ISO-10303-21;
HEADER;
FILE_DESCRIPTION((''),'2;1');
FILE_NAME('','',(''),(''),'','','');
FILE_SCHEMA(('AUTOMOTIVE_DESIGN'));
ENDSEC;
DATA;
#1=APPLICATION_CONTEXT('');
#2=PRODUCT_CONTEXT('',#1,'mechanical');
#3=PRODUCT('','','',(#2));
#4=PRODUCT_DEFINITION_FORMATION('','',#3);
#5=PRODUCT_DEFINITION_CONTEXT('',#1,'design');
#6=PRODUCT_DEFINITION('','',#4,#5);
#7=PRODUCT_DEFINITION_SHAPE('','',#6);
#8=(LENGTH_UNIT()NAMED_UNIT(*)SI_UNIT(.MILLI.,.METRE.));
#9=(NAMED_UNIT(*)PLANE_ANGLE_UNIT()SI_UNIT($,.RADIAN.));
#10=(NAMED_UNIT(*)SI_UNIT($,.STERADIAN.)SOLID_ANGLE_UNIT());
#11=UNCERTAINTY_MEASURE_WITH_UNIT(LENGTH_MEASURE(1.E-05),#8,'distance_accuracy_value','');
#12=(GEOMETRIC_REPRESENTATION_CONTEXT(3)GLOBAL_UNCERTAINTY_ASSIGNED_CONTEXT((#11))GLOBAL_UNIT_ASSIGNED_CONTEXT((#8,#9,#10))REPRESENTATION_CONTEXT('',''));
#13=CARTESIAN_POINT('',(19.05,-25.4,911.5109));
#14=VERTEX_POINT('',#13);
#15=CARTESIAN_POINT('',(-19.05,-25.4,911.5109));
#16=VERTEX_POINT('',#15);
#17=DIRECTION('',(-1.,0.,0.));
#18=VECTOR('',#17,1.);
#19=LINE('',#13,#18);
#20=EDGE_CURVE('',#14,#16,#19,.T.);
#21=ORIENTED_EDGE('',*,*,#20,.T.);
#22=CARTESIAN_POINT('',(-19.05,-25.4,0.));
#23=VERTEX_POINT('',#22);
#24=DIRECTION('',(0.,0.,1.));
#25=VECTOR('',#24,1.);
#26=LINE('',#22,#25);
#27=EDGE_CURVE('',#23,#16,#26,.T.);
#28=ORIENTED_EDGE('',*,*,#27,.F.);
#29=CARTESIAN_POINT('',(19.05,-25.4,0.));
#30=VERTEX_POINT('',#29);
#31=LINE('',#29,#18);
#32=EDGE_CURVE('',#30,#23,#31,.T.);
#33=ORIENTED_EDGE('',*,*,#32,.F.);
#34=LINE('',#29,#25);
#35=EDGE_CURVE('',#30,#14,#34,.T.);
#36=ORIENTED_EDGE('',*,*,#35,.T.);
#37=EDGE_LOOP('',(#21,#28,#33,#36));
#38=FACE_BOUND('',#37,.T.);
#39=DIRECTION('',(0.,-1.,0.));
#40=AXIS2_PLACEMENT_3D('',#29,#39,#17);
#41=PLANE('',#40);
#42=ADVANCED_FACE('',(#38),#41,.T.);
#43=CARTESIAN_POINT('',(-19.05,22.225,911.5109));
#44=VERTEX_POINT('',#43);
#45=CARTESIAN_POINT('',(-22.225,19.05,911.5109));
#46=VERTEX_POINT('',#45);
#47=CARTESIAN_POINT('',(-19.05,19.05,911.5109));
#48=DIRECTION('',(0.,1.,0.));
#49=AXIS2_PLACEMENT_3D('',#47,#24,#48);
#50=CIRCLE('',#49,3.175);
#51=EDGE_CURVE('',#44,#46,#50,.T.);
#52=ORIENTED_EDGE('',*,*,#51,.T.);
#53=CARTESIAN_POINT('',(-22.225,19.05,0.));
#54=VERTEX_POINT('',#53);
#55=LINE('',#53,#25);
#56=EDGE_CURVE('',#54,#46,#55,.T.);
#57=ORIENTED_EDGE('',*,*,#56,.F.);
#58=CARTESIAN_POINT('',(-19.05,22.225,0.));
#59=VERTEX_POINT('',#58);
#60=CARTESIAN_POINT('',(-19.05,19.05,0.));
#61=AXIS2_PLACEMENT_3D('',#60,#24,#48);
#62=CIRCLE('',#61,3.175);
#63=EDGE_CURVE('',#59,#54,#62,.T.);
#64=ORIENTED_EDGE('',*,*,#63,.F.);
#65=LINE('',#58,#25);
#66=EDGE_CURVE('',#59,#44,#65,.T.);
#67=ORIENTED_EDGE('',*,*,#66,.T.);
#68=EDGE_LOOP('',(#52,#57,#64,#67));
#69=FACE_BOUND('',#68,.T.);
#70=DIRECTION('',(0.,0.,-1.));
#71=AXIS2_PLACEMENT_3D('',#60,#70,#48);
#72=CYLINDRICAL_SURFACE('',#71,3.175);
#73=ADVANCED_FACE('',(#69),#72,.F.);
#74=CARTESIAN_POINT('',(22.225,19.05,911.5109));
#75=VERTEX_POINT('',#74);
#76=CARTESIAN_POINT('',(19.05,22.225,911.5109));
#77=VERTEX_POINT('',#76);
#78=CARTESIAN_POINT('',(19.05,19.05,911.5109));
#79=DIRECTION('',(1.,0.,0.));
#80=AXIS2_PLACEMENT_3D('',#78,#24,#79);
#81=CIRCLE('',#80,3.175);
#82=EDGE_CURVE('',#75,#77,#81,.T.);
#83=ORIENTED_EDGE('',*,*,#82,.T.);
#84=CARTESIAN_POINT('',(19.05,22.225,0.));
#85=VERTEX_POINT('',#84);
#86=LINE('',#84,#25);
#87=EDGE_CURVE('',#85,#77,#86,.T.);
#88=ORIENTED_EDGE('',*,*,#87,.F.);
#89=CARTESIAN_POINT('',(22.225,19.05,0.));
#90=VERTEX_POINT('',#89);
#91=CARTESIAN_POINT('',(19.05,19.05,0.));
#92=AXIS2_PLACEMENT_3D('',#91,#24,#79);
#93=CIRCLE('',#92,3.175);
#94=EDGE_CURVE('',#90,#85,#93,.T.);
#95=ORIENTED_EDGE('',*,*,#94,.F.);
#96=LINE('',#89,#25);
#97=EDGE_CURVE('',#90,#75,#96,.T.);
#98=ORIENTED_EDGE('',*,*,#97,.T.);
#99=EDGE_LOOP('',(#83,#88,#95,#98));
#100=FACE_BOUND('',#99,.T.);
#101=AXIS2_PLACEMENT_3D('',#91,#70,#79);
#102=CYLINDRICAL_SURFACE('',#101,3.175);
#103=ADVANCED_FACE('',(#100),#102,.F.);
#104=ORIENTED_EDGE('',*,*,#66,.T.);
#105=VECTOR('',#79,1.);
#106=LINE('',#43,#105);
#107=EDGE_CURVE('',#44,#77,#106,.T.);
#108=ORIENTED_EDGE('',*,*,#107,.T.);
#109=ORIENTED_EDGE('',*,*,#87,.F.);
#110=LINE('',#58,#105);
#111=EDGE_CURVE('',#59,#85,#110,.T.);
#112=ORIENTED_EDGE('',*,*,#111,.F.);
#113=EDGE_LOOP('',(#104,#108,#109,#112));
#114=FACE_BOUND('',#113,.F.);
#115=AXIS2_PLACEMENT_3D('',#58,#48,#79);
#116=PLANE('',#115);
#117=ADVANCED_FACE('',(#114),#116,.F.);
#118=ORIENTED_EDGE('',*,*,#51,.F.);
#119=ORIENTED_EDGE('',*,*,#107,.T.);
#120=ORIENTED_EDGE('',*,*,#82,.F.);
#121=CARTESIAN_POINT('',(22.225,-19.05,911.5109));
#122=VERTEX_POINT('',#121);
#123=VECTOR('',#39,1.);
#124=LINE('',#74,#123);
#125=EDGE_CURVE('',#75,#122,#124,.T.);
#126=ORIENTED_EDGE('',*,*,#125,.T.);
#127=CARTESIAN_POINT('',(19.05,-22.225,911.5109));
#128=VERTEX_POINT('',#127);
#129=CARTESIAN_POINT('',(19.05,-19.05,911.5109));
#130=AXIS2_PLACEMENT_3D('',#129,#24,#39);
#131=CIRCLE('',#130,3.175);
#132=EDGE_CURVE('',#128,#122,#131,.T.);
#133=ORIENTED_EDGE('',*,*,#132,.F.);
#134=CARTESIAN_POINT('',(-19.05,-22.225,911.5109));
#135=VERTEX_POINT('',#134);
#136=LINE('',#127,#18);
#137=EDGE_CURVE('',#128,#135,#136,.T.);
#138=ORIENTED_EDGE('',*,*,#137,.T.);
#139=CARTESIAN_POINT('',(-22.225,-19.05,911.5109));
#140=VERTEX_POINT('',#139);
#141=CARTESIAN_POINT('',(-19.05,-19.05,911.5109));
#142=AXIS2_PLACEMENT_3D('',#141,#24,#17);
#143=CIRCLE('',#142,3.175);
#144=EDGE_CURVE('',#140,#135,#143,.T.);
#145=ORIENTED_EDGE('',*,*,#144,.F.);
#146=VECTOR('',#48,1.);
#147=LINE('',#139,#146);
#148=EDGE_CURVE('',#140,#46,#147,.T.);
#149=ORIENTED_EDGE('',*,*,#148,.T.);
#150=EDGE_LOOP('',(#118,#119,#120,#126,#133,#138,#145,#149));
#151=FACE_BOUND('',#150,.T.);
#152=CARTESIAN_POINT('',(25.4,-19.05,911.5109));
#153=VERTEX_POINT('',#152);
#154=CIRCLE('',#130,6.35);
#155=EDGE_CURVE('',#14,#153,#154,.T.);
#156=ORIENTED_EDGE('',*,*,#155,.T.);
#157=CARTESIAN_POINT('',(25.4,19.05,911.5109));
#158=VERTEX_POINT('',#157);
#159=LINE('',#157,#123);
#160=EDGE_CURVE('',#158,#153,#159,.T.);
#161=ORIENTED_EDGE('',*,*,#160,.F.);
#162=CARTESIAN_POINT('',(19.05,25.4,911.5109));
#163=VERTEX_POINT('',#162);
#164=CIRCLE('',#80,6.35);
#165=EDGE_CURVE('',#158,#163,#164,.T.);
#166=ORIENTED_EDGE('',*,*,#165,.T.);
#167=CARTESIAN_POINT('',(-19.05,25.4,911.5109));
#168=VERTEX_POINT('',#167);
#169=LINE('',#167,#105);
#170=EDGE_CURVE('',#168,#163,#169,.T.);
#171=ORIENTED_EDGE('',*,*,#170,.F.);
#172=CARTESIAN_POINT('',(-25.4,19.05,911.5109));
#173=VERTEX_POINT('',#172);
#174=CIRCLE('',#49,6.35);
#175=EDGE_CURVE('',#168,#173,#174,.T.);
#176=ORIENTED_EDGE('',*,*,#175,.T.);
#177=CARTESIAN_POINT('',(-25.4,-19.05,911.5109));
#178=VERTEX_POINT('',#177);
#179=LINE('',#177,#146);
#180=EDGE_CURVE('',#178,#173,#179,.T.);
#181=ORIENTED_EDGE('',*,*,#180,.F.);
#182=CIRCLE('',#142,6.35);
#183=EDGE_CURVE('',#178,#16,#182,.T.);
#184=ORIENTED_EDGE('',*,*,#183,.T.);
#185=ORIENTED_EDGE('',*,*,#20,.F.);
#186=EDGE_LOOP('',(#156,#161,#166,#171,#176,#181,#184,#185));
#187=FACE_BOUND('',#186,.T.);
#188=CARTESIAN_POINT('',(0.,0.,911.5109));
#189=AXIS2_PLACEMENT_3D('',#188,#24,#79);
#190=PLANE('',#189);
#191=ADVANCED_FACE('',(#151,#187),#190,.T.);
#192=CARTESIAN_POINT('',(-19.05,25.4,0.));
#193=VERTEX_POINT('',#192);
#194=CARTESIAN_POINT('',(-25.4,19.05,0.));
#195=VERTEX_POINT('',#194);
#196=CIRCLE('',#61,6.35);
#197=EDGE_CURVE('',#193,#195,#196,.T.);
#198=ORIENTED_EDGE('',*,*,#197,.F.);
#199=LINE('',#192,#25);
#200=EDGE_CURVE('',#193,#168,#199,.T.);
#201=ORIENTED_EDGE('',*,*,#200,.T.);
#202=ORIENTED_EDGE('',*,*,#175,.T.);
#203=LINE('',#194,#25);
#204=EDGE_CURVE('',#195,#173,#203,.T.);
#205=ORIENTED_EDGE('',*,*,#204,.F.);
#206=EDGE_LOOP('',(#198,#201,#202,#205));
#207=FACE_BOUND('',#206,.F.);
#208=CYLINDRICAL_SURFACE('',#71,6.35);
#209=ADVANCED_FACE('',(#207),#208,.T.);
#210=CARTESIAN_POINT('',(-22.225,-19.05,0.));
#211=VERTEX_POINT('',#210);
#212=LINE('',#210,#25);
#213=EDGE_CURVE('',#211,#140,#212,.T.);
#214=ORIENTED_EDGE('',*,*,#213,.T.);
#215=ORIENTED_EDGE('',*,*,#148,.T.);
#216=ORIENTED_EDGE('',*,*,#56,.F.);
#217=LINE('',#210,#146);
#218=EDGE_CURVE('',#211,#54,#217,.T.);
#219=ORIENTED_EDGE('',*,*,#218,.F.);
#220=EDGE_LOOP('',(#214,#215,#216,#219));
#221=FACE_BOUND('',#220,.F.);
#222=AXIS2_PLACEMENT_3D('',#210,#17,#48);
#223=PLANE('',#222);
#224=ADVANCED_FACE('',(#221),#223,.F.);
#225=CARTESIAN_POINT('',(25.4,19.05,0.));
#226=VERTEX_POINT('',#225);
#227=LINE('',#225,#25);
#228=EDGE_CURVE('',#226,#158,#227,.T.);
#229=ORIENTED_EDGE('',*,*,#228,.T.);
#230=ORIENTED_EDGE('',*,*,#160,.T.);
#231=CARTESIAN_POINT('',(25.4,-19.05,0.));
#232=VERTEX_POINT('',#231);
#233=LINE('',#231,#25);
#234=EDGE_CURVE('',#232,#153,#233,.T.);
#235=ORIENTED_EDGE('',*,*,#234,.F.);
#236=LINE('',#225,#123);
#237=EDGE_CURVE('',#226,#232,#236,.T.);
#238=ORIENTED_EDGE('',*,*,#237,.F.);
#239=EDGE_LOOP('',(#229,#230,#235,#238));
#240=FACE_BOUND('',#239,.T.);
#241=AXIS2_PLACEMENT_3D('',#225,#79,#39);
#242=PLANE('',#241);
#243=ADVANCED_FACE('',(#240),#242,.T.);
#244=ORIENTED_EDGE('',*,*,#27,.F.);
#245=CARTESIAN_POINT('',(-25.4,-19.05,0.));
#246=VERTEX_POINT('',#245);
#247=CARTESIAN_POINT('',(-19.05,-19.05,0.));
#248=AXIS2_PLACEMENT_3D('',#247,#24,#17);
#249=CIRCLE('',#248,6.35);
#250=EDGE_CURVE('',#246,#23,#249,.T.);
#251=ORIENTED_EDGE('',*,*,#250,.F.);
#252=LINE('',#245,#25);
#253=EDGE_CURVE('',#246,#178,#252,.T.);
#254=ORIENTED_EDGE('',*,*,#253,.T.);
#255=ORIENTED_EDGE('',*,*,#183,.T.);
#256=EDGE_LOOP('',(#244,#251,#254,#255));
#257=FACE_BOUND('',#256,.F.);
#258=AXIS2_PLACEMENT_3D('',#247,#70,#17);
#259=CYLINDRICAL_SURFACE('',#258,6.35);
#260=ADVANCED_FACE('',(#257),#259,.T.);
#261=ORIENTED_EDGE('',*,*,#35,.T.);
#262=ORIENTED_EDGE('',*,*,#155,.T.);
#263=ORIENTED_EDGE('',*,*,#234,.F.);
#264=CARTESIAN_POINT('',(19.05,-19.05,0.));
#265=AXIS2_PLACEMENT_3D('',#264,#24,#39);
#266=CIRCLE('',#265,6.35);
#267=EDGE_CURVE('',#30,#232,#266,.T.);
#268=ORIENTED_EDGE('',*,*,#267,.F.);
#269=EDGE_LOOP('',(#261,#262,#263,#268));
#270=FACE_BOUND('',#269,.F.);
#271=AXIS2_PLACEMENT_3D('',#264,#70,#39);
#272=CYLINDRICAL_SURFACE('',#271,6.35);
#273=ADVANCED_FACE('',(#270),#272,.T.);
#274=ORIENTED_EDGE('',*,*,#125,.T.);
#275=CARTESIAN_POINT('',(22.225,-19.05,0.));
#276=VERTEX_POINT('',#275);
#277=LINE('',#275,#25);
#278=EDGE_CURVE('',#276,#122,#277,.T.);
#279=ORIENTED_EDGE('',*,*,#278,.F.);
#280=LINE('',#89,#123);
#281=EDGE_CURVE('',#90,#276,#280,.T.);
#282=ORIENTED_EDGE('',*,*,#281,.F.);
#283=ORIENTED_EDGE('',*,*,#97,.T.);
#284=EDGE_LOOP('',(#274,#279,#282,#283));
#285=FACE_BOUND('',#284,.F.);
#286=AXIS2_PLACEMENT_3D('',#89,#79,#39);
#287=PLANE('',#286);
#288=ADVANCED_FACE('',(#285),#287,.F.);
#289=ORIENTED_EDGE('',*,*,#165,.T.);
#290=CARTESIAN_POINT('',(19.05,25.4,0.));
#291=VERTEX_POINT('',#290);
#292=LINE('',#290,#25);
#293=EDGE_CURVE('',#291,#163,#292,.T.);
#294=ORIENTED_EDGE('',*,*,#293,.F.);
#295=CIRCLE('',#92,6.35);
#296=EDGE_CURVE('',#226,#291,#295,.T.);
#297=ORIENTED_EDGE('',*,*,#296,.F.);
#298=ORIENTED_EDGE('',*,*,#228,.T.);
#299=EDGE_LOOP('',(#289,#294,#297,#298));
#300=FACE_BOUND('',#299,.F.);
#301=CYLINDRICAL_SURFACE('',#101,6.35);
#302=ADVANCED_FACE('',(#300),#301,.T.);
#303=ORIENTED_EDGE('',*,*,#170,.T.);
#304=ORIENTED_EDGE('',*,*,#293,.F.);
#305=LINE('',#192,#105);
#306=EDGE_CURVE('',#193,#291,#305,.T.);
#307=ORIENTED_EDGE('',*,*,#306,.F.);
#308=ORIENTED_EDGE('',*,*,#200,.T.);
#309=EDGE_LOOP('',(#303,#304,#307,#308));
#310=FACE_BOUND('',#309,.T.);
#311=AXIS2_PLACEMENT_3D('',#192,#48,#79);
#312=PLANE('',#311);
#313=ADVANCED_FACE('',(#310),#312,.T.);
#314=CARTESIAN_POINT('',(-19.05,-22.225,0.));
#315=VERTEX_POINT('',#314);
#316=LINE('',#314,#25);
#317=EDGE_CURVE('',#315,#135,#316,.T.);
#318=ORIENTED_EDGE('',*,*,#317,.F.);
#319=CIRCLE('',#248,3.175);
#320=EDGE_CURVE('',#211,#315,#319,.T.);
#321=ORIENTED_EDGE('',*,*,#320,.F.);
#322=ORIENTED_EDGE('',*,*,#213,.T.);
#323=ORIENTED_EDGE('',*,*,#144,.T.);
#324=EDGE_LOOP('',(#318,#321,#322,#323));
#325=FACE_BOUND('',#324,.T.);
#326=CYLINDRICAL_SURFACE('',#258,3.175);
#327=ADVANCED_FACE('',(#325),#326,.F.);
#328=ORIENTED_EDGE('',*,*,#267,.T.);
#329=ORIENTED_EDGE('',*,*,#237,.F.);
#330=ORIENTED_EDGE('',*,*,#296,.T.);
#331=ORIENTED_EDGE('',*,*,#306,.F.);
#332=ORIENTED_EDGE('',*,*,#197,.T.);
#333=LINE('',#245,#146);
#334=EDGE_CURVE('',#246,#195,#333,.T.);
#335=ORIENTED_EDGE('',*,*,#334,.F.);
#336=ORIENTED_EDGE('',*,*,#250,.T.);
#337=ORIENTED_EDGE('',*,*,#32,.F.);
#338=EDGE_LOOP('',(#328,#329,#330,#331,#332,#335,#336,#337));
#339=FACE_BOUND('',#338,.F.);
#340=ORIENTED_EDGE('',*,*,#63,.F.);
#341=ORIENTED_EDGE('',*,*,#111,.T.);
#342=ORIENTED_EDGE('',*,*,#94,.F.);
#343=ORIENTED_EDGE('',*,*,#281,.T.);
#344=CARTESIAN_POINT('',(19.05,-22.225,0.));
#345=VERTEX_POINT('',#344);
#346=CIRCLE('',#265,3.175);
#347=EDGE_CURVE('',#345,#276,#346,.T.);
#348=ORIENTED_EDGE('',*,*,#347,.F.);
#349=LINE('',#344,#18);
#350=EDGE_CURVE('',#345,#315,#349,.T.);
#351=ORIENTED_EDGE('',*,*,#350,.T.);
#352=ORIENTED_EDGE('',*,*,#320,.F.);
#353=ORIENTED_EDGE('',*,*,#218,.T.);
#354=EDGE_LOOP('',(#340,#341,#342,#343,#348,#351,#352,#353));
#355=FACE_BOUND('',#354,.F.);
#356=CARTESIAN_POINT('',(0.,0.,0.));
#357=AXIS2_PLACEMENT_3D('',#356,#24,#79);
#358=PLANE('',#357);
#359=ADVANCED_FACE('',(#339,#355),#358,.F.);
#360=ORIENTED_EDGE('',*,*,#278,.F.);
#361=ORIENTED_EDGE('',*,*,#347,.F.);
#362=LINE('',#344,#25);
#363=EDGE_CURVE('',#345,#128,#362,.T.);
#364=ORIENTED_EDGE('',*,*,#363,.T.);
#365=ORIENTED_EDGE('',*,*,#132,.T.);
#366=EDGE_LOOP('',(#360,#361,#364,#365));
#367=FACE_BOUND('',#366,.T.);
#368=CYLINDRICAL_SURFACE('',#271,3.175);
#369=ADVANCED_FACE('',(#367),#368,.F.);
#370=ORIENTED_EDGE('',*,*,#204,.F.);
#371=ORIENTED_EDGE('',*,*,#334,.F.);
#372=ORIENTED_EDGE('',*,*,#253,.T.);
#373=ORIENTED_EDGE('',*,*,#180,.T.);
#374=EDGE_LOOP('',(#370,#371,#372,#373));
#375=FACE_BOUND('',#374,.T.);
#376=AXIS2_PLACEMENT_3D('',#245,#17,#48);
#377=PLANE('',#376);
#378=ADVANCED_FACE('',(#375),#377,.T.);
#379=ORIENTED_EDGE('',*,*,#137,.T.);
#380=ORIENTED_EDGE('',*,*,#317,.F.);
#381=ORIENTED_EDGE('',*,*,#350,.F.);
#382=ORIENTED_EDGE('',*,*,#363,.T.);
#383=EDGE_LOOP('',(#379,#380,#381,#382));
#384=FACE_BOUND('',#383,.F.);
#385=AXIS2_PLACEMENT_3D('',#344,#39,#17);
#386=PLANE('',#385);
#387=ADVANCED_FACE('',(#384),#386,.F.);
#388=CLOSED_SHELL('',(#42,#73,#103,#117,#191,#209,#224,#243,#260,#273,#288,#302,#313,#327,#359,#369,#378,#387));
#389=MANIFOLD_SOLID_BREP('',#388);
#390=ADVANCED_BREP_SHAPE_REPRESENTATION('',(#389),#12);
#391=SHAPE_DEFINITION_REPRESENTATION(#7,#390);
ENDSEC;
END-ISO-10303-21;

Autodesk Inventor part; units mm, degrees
ref_plane "YZ Plane" through (0, 0, 0) normal (1, 0, 0) x (0, 1, 0)
ref_plane "Start plane" through (0, 0, 0) normal (0, 0, 1) x (1, 0, 0)
ref_plane "End plane" through (0, 0, 911.5109) normal (0, 0, 1) x (1, 0, 0)
sketch "Sketch" plane through (0, 0, 0) normal (0, 0, 1) x (1, 0, 0)
  line L0 (-25.4, -19.05) -> (-25.4, 19.05)
  line L1 (-19.05, 25.4) -> (19.05, 25.4)
  line L2 (25.4, 19.05) -> (25.4, -19.05)
  line L3 (19.05, -25.4) -> (-19.05, -25.4)
  arc A0 (-25.4, -19.05) -> (-19.05, -25.4) centre (-19.05, -19.05) ccw
  arc A1 (-19.05, 25.4) -> (-25.4, 19.05) centre (-19.05, 19.05) ccw
  arc A2 (25.4, 19.05) -> (19.05, 25.4) centre (19.05, 19.05) ccw
  arc A3 (19.05, -25.4) -> (25.4, -19.05) centre (19.05, -19.05) ccw
  arc A4 (-19.05, 22.225) -> (-22.225, 19.05) centre (-19.05, 19.05) ccw
  line L4 (-19.05, 22.225) -> (19.05, 22.225)
  arc A5 (22.225, 19.05) -> (19.05, 22.225) centre (19.05, 19.05) ccw
  line L5 (22.225, 19.05) -> (22.225, -19.05)
  arc A6 (19.05, -22.225) -> (22.225, -19.05) centre (19.05, -19.05) ccw
  line L6 (19.05, -22.225) -> (-19.05, -22.225)
  arc A7 (-22.225, -19.05) -> (-19.05, -22.225) centre (-19.05, -19.05) ccw
  line L7 (-22.225, -19.05) -> (-22.225, 19.05)
  line L8 (0, 37.4012) -> (0, -37.4012) construction
  line L9 (-37.4012, 0) -> (37.4012, 0) construction
  dimension "d10" = 50.8
  dimension "d11" = 50.8
  dimension "d12" = 3.175
  dimension "d15" = 25.4
  dimension "d16" = 25.4
  dimension "d17" = 6.35
extrude "Body" add sketch "Sketch" along normal up to surface (911.5109 mm away) from surface at 0
sketch "Sketch3" plane through (0, 0, 0) normal (0, 0, 1) x (1, 0, 0)
  line L0 (0, 0) -> (10, 0)
ref_plane "Work Plane3" through (0, 0, 0) normal (0, -1, 0) x (1, 0, 0)
sketch "Sketch4" plane through (0, 0, 0) normal (0, -1, 0) x (1, 0, 0)
  line L0 (-2, 0) -> (12, 0)
  line L1 (-2, 911.5109) -> (12, 911.5109)
  dimension "d19" = 911.5109
equation "\"d10\" = G_H"
equation "\"d11\" = G_W"
equation "\"d12\" = G_T"
equation "\"d15\" = 0.5 * d10"
equation "\"d16\" = 0.5 * d11"
equation "\"d17\" = G_IR"
equation "\"d3\" = G_L"
equation "\"G_W\" = 50.8"
equation "\"G_H\" = 50.8"
equation "\"G_T\" = 3.175"
equation "\"G_IR\" = 6.35"
equation "\"G_L\" = d19"
equation "\"G_OFFSET_START\" = 0"
equation "\"G_OFFSET_END\" = 0"
equation "\"d14\" = G_OFFSET_END + B_L"
equation "\"B_L\" = 911.51086"
properties part number "AISC HSS - 2 x 2 x 1/8 - 35.886" material "Steel, Mild"
